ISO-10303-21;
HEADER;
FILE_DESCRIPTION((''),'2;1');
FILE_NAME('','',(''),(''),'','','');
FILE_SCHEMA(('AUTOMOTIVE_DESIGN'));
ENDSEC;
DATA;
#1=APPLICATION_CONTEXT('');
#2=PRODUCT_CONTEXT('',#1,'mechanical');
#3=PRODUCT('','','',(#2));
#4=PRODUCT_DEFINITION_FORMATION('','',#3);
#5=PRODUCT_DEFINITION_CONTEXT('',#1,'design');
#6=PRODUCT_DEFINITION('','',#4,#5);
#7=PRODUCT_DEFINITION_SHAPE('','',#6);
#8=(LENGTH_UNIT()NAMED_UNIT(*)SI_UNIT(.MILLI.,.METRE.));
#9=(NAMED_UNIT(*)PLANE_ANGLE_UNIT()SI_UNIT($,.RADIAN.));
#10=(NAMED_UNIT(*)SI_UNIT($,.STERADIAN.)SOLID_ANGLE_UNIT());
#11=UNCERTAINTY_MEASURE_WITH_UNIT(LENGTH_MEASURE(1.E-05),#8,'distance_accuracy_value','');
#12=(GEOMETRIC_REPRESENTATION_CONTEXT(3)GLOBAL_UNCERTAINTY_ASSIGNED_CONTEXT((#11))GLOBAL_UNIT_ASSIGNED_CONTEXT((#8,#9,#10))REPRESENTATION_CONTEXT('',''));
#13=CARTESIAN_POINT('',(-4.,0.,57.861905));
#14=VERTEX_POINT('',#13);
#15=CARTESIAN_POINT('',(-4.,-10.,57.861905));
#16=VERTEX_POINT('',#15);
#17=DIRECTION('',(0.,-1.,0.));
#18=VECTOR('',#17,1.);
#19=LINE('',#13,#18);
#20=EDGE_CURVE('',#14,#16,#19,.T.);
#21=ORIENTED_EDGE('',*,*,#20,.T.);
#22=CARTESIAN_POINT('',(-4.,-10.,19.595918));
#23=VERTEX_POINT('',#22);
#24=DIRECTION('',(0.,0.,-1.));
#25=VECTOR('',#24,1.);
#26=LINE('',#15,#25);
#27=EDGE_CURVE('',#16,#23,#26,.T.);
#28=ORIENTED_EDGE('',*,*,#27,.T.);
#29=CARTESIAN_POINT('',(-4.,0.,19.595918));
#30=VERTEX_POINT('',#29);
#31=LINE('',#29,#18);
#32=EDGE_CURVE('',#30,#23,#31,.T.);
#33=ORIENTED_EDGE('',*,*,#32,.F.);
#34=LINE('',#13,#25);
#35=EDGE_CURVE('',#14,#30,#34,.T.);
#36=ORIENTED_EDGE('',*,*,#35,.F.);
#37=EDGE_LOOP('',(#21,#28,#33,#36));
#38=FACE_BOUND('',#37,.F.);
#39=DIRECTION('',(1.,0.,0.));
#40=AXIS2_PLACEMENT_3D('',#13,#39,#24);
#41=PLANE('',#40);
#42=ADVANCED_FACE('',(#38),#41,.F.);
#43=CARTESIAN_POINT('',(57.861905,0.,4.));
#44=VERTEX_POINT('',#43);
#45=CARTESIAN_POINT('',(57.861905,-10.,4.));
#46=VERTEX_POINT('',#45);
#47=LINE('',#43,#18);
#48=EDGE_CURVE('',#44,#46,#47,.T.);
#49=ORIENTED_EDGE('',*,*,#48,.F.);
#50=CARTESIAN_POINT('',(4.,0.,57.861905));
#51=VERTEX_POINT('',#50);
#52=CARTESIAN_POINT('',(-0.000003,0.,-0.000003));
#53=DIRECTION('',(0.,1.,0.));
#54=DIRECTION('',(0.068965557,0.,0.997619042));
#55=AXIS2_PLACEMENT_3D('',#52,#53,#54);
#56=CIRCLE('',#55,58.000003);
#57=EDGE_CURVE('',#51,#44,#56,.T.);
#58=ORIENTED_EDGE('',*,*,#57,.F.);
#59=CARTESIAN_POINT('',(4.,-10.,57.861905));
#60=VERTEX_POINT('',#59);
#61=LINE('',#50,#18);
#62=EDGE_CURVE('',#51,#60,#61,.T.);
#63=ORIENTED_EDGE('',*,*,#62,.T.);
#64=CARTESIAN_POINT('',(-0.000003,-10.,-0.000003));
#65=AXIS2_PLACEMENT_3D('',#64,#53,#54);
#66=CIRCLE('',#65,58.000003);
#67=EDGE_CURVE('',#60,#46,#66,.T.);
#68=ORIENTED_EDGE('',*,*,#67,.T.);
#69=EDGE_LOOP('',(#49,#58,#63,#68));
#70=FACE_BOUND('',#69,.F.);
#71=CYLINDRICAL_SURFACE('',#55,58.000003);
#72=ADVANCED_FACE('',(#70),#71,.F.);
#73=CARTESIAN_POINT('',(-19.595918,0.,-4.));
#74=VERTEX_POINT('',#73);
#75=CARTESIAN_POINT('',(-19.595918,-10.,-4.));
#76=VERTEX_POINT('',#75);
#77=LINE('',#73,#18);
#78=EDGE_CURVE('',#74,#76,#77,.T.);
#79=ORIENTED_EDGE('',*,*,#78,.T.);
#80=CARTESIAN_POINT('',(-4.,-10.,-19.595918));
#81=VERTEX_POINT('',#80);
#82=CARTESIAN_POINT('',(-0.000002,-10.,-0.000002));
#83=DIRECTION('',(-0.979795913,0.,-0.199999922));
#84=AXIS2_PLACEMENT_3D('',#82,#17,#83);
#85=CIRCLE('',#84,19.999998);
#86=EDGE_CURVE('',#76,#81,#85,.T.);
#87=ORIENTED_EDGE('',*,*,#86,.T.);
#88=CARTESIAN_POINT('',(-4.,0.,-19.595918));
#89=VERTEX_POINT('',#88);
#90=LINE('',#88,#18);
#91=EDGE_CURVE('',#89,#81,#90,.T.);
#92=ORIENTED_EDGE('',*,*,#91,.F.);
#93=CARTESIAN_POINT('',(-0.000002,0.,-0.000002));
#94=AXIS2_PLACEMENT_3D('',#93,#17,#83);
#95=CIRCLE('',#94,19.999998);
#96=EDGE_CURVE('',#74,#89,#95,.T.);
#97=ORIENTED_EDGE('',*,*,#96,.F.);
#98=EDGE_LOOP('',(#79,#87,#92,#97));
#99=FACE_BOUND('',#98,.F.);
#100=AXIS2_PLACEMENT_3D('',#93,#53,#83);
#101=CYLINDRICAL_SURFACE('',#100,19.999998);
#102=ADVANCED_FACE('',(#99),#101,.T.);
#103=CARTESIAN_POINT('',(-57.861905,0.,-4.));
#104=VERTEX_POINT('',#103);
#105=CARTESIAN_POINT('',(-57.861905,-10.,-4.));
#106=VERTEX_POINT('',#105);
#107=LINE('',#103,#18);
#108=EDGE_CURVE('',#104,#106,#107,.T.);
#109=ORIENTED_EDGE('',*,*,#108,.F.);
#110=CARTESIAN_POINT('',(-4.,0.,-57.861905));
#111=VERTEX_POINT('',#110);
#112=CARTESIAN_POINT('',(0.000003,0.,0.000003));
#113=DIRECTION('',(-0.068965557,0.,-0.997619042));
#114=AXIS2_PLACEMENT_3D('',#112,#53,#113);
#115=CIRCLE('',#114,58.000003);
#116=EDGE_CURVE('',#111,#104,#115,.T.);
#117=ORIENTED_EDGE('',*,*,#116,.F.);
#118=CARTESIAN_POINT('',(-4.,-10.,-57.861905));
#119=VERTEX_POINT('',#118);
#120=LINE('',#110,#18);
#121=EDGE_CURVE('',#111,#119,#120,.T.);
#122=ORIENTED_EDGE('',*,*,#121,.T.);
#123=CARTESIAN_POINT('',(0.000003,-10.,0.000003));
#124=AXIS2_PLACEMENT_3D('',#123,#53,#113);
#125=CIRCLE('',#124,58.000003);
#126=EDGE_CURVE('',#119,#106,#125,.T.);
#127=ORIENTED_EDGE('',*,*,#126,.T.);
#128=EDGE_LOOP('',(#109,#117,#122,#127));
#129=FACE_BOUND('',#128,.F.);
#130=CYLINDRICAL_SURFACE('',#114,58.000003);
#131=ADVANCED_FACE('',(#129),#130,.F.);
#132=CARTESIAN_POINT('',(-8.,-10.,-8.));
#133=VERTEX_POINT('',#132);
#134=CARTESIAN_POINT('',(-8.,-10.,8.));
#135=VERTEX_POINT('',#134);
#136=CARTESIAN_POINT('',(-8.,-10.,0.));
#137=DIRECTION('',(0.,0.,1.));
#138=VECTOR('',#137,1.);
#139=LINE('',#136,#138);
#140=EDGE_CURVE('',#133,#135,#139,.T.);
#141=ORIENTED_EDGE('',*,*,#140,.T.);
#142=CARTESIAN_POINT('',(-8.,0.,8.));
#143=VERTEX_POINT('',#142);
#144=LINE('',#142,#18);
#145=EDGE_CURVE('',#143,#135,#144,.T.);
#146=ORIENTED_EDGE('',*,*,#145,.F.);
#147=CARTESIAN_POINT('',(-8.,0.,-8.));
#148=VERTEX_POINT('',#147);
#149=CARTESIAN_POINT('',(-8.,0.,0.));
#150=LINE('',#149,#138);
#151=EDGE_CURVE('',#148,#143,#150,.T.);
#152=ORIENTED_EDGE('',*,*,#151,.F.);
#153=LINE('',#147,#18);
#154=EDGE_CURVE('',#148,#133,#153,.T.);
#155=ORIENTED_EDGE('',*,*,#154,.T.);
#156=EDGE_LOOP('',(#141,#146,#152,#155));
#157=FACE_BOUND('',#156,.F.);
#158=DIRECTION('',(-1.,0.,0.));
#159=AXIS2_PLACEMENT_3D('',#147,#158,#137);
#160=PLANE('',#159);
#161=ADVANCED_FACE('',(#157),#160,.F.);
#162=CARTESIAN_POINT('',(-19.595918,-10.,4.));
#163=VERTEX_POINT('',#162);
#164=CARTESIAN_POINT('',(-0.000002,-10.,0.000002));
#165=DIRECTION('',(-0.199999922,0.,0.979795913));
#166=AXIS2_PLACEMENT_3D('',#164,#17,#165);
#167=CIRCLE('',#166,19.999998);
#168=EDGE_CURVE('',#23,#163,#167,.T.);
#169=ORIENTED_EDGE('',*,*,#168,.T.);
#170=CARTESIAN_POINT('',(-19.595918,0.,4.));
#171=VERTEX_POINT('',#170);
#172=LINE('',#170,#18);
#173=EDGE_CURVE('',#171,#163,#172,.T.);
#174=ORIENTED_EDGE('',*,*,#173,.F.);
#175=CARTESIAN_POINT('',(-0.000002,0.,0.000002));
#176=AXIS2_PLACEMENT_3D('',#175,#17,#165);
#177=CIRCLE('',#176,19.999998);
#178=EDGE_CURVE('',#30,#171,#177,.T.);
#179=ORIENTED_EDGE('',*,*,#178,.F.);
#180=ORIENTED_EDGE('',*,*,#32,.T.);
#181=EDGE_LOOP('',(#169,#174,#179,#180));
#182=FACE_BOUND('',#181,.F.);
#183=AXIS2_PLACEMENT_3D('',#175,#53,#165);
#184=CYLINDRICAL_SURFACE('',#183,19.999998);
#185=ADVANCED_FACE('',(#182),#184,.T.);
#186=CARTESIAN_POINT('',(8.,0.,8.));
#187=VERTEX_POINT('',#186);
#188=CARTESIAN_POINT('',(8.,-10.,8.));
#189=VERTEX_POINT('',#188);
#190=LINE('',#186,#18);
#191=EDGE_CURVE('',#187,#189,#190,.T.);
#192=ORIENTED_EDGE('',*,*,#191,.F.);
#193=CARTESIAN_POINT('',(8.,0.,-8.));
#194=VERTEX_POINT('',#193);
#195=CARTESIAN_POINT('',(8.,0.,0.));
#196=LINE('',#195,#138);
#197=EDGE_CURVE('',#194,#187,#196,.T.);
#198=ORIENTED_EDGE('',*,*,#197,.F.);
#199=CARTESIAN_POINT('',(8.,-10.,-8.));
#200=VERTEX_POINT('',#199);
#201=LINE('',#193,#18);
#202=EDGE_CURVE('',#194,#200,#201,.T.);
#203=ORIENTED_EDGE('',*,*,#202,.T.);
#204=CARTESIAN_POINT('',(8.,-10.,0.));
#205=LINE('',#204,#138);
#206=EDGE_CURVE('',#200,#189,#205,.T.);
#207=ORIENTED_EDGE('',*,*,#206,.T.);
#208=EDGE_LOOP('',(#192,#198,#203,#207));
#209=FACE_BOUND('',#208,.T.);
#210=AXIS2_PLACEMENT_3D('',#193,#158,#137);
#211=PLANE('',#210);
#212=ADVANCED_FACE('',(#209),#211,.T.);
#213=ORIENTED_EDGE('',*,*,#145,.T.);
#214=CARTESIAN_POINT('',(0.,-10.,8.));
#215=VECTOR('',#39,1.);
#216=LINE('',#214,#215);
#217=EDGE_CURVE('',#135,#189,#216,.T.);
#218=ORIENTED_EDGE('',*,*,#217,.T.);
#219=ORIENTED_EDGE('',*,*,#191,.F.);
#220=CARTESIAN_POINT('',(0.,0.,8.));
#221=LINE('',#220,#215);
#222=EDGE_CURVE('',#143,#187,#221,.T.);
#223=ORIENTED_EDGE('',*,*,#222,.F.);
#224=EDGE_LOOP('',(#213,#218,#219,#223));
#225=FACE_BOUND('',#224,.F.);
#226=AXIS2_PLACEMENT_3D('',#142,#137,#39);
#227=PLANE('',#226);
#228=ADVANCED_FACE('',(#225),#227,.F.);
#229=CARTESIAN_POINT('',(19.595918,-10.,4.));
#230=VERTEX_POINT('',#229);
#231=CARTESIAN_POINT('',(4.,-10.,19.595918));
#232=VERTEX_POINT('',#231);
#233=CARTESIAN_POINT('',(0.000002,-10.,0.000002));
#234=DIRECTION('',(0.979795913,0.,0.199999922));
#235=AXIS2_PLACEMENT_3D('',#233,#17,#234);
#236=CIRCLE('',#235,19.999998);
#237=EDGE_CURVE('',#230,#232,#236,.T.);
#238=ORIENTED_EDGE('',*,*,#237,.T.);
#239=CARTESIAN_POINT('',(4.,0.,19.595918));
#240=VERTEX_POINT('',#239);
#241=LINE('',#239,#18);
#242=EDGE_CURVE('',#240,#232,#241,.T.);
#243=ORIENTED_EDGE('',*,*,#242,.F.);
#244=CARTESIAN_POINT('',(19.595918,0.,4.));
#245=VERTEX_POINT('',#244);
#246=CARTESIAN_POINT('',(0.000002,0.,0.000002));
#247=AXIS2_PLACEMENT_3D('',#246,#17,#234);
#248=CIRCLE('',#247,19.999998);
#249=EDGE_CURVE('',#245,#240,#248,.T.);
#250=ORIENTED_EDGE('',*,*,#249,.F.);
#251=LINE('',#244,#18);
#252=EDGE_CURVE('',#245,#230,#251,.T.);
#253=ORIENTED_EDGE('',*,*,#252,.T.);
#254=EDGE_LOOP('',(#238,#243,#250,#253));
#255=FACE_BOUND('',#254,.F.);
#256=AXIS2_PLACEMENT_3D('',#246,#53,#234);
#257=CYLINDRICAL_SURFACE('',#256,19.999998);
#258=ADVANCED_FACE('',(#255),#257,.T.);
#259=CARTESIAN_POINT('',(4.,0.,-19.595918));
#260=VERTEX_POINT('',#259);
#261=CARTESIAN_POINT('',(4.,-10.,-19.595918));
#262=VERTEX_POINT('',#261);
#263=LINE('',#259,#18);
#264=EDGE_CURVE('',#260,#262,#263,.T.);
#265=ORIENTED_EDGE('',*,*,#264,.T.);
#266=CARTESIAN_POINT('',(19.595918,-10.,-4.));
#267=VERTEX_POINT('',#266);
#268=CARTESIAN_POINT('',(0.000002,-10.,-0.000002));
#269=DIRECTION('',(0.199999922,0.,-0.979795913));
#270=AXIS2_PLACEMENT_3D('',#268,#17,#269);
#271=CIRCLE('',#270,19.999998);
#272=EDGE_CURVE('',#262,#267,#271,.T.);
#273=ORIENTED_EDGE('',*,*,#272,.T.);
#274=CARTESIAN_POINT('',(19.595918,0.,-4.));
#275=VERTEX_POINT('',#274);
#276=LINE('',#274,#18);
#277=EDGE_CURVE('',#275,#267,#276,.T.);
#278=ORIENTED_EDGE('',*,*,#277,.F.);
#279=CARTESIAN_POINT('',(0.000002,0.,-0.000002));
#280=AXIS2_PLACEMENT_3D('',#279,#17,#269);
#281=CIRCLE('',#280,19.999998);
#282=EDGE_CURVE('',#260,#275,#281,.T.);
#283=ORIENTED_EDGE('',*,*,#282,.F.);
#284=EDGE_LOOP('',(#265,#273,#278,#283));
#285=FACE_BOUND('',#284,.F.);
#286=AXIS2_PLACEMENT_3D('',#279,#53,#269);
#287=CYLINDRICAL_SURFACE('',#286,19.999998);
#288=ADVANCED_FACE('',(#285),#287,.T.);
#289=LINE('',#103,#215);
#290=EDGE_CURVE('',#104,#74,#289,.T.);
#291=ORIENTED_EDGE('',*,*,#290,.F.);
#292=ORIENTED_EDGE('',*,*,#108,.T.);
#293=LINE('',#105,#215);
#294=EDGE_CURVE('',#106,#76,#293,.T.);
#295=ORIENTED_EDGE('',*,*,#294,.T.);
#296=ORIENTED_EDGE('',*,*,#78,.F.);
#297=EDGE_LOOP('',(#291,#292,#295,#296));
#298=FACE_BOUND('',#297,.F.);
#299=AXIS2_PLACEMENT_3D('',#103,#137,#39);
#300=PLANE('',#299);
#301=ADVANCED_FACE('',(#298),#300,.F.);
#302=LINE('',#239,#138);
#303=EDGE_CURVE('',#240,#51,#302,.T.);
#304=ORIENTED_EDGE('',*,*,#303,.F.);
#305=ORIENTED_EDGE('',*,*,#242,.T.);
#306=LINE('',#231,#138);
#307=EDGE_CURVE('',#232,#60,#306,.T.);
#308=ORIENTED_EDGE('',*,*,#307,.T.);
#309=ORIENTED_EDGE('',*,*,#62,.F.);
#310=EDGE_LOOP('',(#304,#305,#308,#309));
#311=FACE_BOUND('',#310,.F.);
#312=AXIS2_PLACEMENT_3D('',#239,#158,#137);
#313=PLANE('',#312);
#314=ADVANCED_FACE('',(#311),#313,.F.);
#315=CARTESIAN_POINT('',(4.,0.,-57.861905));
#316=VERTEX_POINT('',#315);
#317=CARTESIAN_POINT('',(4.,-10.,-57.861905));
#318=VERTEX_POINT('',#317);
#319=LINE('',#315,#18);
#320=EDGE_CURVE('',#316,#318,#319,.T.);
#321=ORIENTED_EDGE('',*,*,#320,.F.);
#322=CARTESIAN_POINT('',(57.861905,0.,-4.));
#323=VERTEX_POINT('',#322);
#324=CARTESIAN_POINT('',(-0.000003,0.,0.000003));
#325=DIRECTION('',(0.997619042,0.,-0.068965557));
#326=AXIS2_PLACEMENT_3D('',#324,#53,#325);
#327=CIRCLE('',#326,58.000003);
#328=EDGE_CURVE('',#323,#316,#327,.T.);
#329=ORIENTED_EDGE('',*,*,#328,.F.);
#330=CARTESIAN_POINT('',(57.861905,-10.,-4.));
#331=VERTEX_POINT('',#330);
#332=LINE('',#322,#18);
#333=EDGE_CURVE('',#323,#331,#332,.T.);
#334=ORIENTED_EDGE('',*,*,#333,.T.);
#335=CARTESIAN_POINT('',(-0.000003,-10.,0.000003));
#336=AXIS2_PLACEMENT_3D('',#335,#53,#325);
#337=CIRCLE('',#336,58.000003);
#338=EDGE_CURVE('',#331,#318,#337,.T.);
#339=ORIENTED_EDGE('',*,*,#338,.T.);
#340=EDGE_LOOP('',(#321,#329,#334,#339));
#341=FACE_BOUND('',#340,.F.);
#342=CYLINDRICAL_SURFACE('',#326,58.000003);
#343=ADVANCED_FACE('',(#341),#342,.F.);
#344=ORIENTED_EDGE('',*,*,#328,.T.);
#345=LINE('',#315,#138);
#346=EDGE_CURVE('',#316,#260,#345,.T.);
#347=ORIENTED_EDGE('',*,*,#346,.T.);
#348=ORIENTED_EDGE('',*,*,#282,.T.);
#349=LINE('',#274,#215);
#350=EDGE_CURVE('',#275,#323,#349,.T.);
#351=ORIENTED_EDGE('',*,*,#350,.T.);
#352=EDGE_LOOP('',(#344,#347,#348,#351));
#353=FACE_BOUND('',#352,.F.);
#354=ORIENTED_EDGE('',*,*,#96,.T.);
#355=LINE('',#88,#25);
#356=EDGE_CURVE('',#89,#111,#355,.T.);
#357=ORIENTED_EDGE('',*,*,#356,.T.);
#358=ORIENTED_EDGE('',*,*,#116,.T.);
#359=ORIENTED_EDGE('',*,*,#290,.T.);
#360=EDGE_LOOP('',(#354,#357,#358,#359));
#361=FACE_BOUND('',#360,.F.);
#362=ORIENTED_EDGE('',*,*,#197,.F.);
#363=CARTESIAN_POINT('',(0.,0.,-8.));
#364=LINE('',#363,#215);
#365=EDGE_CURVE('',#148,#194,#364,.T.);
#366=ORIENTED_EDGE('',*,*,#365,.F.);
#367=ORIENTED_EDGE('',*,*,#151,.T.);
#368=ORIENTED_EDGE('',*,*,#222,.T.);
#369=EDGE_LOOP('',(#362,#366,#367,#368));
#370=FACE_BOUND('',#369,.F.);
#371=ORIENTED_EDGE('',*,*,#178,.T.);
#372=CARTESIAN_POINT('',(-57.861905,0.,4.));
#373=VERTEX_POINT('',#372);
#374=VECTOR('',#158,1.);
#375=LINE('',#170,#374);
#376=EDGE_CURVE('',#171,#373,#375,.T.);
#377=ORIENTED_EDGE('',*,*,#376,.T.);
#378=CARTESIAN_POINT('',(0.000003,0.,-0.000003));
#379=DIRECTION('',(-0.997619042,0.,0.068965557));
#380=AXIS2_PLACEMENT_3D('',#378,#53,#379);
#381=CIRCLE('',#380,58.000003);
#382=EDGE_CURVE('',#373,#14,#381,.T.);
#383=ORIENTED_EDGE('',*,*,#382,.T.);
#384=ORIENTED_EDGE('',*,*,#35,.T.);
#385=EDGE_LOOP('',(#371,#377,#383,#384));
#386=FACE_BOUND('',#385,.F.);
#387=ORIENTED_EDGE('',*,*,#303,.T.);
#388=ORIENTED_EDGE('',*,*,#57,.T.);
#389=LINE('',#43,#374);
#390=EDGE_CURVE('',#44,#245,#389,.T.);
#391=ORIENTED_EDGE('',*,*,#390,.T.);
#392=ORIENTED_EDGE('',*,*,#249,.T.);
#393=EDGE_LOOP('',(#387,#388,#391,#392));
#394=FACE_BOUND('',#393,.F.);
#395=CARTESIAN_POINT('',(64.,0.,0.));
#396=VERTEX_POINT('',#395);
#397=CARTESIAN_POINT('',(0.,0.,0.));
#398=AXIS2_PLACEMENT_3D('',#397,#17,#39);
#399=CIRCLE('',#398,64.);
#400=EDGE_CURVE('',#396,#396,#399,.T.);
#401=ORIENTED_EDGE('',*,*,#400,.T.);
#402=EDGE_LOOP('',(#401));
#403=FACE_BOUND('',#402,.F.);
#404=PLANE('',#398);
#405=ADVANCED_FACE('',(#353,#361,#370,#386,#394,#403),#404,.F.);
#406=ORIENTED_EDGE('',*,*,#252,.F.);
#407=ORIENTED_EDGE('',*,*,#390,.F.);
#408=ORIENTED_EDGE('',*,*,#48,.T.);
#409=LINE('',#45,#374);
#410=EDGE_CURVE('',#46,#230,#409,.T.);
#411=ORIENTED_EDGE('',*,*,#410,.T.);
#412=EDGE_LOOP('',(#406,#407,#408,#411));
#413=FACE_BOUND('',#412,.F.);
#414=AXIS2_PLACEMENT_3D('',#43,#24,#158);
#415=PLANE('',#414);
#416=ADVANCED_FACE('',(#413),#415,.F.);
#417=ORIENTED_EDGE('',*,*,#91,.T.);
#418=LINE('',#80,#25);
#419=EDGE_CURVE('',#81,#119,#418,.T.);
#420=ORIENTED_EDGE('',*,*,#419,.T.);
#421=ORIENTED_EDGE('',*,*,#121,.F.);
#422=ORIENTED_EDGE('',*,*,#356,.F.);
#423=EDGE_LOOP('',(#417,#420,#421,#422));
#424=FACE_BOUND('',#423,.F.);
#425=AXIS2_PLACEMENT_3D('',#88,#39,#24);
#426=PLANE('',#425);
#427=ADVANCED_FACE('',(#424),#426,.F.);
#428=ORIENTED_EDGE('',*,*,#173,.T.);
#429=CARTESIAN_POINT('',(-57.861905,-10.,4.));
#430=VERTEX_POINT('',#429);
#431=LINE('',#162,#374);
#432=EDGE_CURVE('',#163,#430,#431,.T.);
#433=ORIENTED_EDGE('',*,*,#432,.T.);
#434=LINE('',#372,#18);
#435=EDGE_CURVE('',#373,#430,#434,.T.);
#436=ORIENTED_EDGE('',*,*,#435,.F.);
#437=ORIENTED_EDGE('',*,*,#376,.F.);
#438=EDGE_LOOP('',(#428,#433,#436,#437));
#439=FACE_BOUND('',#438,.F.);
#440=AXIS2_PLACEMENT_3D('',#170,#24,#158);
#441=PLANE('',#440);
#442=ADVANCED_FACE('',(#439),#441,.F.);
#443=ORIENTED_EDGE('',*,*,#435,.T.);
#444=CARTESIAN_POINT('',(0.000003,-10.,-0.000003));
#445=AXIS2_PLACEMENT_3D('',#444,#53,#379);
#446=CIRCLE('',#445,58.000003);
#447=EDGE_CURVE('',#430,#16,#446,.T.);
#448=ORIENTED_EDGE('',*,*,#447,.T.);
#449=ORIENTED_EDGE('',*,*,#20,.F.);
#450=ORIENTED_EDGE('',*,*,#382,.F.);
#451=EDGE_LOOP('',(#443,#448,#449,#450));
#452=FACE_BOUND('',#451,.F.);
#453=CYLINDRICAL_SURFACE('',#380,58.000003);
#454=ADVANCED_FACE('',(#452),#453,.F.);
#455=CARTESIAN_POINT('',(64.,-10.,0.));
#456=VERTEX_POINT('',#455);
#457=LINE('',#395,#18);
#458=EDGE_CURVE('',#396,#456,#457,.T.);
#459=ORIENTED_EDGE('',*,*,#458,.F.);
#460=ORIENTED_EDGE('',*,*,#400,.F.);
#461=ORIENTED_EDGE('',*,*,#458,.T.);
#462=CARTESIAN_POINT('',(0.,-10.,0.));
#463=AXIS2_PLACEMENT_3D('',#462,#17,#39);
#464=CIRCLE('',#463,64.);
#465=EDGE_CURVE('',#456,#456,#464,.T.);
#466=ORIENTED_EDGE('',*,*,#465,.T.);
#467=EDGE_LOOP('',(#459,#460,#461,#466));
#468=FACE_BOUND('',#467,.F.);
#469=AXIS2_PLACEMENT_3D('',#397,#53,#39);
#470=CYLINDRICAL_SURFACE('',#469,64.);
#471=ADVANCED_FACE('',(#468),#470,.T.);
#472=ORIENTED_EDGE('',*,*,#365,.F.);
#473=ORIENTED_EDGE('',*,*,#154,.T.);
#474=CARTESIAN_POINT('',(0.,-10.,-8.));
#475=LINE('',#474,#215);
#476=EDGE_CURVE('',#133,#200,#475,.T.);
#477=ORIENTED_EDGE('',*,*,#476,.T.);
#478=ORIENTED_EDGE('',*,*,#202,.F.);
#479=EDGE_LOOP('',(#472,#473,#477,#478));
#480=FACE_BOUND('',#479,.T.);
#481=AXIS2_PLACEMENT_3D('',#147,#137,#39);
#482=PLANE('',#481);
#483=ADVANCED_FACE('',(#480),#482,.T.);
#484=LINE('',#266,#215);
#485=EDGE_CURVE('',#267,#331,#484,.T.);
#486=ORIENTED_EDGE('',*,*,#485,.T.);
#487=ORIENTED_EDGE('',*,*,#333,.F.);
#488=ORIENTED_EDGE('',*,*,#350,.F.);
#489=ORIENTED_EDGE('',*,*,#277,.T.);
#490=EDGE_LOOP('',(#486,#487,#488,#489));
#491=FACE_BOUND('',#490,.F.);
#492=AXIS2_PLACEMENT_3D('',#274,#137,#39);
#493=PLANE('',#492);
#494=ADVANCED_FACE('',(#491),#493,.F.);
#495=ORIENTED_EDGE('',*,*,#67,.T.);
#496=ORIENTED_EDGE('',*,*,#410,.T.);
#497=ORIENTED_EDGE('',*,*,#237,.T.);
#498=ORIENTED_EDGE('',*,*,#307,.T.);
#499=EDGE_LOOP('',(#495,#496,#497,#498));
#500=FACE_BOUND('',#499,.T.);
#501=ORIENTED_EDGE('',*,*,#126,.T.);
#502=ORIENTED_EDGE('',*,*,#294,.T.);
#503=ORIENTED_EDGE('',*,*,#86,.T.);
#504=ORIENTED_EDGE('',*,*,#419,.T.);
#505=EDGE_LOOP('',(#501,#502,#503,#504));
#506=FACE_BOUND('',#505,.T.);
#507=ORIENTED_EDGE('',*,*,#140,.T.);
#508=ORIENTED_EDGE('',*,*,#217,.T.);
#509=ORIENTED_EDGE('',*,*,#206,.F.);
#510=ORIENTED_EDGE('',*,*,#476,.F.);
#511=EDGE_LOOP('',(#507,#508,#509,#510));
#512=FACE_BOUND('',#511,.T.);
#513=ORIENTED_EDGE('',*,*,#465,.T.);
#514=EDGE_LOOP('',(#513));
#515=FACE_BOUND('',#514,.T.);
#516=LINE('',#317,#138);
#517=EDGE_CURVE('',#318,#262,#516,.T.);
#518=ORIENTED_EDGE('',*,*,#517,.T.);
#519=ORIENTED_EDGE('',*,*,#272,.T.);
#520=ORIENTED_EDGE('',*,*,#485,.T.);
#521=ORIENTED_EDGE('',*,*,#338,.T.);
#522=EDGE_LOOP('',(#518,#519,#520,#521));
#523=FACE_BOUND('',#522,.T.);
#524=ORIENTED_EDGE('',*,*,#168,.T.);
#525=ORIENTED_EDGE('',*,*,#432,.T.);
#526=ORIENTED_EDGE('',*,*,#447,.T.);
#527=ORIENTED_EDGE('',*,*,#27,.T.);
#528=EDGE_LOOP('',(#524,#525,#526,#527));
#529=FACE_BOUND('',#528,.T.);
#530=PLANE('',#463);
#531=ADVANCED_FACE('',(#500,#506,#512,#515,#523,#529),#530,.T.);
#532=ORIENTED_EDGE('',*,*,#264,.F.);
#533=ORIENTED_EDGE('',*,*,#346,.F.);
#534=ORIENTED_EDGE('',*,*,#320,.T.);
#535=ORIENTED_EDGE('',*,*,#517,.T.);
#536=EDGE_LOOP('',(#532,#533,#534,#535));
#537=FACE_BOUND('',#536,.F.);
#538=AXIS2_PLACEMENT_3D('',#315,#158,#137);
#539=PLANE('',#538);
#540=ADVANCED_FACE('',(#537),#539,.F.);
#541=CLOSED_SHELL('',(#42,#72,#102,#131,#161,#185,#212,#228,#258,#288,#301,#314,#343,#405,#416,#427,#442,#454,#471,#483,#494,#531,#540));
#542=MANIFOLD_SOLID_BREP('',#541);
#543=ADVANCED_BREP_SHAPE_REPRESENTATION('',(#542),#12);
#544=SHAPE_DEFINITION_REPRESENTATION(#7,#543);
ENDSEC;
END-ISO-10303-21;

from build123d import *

# Parameters (mm, degrees)
F0_R     = 64
F0_W     = 16
F0_H     = 16
F1_DEPTH = 10


with BuildPart() as f1:
    # F0 (on Front) → F1 (new body)
    with BuildSketch(Plane.XZ):
        Circle(F0_R)
        with BuildLine():
            ThreePointArc((-19.595918, -4), (-14.142136, -14.142136), (-4, -19.595918))
            Line((-4, -19.595918), (-4, -57.861905))
            ThreePointArc((-4, -57.861905), (-41.012193, -41.012193), (-57.861905, -4))
            Line((-57.861905, -4), (-19.595918, -4))
        make_face(mode=Mode.SUBTRACT)
        with BuildLine():
            Line((19.595918, -4), (57.861905, -4))
            ThreePointArc((57.861905, -4), (41.012193, -41.012193), (4, -57.861905))
            Line((4, -57.861905), (4, -19.595918))
            ThreePointArc((4, -19.595918), (14.142136, -14.142136), (19.595918, -4))
        make_face(mode=Mode.SUBTRACT)
        with BuildLine():
            ThreePointArc((-57.861905, 4), (-41.012193, 41.012193), (-4, 57.861905))
            Line((-4, 57.861905), (-4, 19.595918))
            ThreePointArc((-4, 19.595918), (-14.142136, 14.142136), (-19.595918, 4))
            Line((-19.595918, 4), (-57.861905, 4))
        make_face(mode=Mode.SUBTRACT)
        Rectangle(F0_W, F0_H, mode=Mode.SUBTRACT)
        with BuildLine():
            Line((4, 19.595918), (4, 57.861905))
            ThreePointArc((4, 57.861905), (41.012193, 41.012193), (57.861905, 4))
            Line((57.861905, 4), (19.595918, 4))
            ThreePointArc((19.595918, 4), (14.142136, 14.142136), (4, 19.595918))
        make_face(mode=Mode.SUBTRACT)
    extrude(amount=F1_DEPTH)


solid = f1.part
